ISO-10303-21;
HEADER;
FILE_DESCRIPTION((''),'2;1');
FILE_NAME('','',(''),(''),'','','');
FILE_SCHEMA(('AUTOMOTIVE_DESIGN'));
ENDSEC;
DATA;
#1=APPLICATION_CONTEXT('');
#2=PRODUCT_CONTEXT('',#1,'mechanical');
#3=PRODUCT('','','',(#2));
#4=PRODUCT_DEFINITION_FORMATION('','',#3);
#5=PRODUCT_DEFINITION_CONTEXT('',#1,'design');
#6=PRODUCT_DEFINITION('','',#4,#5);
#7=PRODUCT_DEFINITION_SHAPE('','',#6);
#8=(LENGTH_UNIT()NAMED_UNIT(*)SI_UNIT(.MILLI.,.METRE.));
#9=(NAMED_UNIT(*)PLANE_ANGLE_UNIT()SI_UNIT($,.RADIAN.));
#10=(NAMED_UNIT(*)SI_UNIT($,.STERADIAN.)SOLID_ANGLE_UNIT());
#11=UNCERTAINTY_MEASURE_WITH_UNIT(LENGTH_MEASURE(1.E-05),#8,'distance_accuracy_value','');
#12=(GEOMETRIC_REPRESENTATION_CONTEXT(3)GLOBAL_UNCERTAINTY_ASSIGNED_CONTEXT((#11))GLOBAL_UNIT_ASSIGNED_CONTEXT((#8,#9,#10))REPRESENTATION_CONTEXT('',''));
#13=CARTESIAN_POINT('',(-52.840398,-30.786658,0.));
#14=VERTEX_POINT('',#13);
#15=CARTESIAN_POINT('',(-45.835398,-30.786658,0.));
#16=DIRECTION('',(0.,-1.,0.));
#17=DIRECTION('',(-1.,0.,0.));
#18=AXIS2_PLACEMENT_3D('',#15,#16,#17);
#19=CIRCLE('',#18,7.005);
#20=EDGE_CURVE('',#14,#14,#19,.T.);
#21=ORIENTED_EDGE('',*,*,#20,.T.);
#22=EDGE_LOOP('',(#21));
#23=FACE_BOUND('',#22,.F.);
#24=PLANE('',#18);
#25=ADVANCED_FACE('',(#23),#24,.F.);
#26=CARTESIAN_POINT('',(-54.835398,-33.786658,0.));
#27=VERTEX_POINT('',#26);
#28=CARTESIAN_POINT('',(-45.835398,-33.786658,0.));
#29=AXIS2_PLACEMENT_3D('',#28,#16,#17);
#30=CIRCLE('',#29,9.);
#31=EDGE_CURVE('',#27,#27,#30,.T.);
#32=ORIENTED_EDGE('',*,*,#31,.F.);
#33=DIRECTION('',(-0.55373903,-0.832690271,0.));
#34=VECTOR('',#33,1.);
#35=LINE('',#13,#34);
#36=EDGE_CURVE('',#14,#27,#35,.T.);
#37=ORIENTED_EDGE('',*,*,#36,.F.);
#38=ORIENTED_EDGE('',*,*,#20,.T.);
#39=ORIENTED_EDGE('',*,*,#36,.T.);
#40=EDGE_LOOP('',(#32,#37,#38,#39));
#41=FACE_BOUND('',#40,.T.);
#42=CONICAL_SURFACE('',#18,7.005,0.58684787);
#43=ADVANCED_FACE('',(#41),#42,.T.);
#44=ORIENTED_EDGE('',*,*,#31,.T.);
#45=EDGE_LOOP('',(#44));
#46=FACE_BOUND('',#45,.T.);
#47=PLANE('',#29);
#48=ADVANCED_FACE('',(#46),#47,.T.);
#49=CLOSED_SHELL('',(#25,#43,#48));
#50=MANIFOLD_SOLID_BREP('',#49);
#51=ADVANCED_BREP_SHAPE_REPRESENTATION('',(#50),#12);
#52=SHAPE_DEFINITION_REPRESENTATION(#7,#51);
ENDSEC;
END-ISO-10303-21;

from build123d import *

# Parameters (mm, degrees)
F0_W = 7.005
F0_H = 3


with BuildPart() as f1:
    # F0 (on Top) → F1 (revolve)
    with BuildSketch(Plane.XY):
        Polygon((-52.840398, -30.786658), (-54.835398, -33.786658), (-52.840398, -33.786658), align=None)
        with Locations((-49.337898, -32.286658)):
            Rectangle(F0_W, F0_H)
    revolve(axis=Axis((-45.835398, -33.279387, 0), (0, -1, 0)))


solid = f1.part
